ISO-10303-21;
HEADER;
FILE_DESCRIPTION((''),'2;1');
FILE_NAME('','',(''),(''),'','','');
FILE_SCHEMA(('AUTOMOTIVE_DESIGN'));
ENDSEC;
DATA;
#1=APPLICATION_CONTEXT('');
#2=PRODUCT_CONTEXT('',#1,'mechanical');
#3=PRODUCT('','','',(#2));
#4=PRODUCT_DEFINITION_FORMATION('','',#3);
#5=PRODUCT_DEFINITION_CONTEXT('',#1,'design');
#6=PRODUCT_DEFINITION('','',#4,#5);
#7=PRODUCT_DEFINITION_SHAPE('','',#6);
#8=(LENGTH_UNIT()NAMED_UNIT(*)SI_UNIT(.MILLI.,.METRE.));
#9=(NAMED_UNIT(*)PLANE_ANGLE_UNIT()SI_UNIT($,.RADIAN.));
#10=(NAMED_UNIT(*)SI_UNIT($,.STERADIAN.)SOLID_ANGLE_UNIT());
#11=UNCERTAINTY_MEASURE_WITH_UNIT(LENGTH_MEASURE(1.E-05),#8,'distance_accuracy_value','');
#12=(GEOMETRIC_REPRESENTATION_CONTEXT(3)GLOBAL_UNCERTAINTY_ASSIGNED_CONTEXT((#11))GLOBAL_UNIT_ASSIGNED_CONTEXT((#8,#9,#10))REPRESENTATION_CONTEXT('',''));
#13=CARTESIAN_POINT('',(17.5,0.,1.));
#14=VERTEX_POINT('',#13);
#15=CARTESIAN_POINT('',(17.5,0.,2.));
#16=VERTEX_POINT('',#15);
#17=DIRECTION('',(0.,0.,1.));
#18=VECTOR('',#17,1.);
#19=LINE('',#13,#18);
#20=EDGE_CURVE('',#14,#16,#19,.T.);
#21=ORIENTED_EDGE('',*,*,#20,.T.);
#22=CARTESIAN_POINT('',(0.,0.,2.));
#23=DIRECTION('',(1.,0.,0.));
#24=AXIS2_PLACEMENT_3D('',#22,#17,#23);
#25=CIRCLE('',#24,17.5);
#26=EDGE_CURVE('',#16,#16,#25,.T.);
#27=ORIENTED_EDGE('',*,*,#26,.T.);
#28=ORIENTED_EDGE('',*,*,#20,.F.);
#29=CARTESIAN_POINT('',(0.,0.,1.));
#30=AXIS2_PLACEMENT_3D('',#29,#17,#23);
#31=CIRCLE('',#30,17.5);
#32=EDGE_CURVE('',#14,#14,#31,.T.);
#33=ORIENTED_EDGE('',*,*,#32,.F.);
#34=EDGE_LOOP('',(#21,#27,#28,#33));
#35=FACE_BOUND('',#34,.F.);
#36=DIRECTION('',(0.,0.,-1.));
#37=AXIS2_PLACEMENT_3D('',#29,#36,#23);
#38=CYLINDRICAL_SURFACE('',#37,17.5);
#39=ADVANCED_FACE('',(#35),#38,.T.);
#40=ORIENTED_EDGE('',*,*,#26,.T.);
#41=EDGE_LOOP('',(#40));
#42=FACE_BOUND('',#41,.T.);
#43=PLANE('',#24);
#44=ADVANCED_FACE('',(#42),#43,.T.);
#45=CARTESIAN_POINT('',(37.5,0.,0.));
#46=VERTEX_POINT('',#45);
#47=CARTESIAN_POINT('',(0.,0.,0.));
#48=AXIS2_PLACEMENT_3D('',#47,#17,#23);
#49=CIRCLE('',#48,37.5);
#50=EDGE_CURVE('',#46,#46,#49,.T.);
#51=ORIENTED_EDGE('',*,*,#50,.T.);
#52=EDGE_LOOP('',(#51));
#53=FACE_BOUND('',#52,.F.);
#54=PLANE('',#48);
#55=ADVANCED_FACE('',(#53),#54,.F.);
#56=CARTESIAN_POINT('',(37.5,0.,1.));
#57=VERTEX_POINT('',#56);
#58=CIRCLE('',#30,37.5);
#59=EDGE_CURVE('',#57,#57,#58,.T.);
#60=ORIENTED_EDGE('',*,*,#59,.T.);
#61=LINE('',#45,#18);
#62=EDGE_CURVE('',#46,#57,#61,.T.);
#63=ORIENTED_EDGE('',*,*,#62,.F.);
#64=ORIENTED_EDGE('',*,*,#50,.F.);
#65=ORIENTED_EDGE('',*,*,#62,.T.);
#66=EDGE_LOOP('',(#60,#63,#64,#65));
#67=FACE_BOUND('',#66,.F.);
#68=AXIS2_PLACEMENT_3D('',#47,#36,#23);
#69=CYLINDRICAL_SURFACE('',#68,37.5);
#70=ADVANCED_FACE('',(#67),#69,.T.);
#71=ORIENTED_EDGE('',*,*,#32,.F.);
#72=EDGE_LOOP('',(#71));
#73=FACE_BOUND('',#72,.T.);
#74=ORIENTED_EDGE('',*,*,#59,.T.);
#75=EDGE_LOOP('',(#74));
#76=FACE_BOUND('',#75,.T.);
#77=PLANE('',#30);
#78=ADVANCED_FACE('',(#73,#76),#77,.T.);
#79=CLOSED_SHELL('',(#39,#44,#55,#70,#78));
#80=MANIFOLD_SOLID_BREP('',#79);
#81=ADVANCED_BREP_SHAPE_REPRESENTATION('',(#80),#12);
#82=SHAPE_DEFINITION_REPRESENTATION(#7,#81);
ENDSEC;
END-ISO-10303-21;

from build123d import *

# Parameters (mm, degrees)
SKETCH_R     = 37.5
PAD_DEPTH    = 1
SKETCH001_R  = 17.5
PAD001_DEPTH = 1


with BuildPart() as part:
    # Sketch → Pad (new body)
    with BuildSketch(Plane.XY):
        Circle(SKETCH_R)
    extrude(amount=PAD_DEPTH)

    # Sketch001 (on Face3 of Pad) → Pad001 (join)
    with BuildSketch(Plane.XY.offset(1)):
        Circle(SKETCH001_R)
    extrude(amount=PAD001_DEPTH)


solid = part.part
